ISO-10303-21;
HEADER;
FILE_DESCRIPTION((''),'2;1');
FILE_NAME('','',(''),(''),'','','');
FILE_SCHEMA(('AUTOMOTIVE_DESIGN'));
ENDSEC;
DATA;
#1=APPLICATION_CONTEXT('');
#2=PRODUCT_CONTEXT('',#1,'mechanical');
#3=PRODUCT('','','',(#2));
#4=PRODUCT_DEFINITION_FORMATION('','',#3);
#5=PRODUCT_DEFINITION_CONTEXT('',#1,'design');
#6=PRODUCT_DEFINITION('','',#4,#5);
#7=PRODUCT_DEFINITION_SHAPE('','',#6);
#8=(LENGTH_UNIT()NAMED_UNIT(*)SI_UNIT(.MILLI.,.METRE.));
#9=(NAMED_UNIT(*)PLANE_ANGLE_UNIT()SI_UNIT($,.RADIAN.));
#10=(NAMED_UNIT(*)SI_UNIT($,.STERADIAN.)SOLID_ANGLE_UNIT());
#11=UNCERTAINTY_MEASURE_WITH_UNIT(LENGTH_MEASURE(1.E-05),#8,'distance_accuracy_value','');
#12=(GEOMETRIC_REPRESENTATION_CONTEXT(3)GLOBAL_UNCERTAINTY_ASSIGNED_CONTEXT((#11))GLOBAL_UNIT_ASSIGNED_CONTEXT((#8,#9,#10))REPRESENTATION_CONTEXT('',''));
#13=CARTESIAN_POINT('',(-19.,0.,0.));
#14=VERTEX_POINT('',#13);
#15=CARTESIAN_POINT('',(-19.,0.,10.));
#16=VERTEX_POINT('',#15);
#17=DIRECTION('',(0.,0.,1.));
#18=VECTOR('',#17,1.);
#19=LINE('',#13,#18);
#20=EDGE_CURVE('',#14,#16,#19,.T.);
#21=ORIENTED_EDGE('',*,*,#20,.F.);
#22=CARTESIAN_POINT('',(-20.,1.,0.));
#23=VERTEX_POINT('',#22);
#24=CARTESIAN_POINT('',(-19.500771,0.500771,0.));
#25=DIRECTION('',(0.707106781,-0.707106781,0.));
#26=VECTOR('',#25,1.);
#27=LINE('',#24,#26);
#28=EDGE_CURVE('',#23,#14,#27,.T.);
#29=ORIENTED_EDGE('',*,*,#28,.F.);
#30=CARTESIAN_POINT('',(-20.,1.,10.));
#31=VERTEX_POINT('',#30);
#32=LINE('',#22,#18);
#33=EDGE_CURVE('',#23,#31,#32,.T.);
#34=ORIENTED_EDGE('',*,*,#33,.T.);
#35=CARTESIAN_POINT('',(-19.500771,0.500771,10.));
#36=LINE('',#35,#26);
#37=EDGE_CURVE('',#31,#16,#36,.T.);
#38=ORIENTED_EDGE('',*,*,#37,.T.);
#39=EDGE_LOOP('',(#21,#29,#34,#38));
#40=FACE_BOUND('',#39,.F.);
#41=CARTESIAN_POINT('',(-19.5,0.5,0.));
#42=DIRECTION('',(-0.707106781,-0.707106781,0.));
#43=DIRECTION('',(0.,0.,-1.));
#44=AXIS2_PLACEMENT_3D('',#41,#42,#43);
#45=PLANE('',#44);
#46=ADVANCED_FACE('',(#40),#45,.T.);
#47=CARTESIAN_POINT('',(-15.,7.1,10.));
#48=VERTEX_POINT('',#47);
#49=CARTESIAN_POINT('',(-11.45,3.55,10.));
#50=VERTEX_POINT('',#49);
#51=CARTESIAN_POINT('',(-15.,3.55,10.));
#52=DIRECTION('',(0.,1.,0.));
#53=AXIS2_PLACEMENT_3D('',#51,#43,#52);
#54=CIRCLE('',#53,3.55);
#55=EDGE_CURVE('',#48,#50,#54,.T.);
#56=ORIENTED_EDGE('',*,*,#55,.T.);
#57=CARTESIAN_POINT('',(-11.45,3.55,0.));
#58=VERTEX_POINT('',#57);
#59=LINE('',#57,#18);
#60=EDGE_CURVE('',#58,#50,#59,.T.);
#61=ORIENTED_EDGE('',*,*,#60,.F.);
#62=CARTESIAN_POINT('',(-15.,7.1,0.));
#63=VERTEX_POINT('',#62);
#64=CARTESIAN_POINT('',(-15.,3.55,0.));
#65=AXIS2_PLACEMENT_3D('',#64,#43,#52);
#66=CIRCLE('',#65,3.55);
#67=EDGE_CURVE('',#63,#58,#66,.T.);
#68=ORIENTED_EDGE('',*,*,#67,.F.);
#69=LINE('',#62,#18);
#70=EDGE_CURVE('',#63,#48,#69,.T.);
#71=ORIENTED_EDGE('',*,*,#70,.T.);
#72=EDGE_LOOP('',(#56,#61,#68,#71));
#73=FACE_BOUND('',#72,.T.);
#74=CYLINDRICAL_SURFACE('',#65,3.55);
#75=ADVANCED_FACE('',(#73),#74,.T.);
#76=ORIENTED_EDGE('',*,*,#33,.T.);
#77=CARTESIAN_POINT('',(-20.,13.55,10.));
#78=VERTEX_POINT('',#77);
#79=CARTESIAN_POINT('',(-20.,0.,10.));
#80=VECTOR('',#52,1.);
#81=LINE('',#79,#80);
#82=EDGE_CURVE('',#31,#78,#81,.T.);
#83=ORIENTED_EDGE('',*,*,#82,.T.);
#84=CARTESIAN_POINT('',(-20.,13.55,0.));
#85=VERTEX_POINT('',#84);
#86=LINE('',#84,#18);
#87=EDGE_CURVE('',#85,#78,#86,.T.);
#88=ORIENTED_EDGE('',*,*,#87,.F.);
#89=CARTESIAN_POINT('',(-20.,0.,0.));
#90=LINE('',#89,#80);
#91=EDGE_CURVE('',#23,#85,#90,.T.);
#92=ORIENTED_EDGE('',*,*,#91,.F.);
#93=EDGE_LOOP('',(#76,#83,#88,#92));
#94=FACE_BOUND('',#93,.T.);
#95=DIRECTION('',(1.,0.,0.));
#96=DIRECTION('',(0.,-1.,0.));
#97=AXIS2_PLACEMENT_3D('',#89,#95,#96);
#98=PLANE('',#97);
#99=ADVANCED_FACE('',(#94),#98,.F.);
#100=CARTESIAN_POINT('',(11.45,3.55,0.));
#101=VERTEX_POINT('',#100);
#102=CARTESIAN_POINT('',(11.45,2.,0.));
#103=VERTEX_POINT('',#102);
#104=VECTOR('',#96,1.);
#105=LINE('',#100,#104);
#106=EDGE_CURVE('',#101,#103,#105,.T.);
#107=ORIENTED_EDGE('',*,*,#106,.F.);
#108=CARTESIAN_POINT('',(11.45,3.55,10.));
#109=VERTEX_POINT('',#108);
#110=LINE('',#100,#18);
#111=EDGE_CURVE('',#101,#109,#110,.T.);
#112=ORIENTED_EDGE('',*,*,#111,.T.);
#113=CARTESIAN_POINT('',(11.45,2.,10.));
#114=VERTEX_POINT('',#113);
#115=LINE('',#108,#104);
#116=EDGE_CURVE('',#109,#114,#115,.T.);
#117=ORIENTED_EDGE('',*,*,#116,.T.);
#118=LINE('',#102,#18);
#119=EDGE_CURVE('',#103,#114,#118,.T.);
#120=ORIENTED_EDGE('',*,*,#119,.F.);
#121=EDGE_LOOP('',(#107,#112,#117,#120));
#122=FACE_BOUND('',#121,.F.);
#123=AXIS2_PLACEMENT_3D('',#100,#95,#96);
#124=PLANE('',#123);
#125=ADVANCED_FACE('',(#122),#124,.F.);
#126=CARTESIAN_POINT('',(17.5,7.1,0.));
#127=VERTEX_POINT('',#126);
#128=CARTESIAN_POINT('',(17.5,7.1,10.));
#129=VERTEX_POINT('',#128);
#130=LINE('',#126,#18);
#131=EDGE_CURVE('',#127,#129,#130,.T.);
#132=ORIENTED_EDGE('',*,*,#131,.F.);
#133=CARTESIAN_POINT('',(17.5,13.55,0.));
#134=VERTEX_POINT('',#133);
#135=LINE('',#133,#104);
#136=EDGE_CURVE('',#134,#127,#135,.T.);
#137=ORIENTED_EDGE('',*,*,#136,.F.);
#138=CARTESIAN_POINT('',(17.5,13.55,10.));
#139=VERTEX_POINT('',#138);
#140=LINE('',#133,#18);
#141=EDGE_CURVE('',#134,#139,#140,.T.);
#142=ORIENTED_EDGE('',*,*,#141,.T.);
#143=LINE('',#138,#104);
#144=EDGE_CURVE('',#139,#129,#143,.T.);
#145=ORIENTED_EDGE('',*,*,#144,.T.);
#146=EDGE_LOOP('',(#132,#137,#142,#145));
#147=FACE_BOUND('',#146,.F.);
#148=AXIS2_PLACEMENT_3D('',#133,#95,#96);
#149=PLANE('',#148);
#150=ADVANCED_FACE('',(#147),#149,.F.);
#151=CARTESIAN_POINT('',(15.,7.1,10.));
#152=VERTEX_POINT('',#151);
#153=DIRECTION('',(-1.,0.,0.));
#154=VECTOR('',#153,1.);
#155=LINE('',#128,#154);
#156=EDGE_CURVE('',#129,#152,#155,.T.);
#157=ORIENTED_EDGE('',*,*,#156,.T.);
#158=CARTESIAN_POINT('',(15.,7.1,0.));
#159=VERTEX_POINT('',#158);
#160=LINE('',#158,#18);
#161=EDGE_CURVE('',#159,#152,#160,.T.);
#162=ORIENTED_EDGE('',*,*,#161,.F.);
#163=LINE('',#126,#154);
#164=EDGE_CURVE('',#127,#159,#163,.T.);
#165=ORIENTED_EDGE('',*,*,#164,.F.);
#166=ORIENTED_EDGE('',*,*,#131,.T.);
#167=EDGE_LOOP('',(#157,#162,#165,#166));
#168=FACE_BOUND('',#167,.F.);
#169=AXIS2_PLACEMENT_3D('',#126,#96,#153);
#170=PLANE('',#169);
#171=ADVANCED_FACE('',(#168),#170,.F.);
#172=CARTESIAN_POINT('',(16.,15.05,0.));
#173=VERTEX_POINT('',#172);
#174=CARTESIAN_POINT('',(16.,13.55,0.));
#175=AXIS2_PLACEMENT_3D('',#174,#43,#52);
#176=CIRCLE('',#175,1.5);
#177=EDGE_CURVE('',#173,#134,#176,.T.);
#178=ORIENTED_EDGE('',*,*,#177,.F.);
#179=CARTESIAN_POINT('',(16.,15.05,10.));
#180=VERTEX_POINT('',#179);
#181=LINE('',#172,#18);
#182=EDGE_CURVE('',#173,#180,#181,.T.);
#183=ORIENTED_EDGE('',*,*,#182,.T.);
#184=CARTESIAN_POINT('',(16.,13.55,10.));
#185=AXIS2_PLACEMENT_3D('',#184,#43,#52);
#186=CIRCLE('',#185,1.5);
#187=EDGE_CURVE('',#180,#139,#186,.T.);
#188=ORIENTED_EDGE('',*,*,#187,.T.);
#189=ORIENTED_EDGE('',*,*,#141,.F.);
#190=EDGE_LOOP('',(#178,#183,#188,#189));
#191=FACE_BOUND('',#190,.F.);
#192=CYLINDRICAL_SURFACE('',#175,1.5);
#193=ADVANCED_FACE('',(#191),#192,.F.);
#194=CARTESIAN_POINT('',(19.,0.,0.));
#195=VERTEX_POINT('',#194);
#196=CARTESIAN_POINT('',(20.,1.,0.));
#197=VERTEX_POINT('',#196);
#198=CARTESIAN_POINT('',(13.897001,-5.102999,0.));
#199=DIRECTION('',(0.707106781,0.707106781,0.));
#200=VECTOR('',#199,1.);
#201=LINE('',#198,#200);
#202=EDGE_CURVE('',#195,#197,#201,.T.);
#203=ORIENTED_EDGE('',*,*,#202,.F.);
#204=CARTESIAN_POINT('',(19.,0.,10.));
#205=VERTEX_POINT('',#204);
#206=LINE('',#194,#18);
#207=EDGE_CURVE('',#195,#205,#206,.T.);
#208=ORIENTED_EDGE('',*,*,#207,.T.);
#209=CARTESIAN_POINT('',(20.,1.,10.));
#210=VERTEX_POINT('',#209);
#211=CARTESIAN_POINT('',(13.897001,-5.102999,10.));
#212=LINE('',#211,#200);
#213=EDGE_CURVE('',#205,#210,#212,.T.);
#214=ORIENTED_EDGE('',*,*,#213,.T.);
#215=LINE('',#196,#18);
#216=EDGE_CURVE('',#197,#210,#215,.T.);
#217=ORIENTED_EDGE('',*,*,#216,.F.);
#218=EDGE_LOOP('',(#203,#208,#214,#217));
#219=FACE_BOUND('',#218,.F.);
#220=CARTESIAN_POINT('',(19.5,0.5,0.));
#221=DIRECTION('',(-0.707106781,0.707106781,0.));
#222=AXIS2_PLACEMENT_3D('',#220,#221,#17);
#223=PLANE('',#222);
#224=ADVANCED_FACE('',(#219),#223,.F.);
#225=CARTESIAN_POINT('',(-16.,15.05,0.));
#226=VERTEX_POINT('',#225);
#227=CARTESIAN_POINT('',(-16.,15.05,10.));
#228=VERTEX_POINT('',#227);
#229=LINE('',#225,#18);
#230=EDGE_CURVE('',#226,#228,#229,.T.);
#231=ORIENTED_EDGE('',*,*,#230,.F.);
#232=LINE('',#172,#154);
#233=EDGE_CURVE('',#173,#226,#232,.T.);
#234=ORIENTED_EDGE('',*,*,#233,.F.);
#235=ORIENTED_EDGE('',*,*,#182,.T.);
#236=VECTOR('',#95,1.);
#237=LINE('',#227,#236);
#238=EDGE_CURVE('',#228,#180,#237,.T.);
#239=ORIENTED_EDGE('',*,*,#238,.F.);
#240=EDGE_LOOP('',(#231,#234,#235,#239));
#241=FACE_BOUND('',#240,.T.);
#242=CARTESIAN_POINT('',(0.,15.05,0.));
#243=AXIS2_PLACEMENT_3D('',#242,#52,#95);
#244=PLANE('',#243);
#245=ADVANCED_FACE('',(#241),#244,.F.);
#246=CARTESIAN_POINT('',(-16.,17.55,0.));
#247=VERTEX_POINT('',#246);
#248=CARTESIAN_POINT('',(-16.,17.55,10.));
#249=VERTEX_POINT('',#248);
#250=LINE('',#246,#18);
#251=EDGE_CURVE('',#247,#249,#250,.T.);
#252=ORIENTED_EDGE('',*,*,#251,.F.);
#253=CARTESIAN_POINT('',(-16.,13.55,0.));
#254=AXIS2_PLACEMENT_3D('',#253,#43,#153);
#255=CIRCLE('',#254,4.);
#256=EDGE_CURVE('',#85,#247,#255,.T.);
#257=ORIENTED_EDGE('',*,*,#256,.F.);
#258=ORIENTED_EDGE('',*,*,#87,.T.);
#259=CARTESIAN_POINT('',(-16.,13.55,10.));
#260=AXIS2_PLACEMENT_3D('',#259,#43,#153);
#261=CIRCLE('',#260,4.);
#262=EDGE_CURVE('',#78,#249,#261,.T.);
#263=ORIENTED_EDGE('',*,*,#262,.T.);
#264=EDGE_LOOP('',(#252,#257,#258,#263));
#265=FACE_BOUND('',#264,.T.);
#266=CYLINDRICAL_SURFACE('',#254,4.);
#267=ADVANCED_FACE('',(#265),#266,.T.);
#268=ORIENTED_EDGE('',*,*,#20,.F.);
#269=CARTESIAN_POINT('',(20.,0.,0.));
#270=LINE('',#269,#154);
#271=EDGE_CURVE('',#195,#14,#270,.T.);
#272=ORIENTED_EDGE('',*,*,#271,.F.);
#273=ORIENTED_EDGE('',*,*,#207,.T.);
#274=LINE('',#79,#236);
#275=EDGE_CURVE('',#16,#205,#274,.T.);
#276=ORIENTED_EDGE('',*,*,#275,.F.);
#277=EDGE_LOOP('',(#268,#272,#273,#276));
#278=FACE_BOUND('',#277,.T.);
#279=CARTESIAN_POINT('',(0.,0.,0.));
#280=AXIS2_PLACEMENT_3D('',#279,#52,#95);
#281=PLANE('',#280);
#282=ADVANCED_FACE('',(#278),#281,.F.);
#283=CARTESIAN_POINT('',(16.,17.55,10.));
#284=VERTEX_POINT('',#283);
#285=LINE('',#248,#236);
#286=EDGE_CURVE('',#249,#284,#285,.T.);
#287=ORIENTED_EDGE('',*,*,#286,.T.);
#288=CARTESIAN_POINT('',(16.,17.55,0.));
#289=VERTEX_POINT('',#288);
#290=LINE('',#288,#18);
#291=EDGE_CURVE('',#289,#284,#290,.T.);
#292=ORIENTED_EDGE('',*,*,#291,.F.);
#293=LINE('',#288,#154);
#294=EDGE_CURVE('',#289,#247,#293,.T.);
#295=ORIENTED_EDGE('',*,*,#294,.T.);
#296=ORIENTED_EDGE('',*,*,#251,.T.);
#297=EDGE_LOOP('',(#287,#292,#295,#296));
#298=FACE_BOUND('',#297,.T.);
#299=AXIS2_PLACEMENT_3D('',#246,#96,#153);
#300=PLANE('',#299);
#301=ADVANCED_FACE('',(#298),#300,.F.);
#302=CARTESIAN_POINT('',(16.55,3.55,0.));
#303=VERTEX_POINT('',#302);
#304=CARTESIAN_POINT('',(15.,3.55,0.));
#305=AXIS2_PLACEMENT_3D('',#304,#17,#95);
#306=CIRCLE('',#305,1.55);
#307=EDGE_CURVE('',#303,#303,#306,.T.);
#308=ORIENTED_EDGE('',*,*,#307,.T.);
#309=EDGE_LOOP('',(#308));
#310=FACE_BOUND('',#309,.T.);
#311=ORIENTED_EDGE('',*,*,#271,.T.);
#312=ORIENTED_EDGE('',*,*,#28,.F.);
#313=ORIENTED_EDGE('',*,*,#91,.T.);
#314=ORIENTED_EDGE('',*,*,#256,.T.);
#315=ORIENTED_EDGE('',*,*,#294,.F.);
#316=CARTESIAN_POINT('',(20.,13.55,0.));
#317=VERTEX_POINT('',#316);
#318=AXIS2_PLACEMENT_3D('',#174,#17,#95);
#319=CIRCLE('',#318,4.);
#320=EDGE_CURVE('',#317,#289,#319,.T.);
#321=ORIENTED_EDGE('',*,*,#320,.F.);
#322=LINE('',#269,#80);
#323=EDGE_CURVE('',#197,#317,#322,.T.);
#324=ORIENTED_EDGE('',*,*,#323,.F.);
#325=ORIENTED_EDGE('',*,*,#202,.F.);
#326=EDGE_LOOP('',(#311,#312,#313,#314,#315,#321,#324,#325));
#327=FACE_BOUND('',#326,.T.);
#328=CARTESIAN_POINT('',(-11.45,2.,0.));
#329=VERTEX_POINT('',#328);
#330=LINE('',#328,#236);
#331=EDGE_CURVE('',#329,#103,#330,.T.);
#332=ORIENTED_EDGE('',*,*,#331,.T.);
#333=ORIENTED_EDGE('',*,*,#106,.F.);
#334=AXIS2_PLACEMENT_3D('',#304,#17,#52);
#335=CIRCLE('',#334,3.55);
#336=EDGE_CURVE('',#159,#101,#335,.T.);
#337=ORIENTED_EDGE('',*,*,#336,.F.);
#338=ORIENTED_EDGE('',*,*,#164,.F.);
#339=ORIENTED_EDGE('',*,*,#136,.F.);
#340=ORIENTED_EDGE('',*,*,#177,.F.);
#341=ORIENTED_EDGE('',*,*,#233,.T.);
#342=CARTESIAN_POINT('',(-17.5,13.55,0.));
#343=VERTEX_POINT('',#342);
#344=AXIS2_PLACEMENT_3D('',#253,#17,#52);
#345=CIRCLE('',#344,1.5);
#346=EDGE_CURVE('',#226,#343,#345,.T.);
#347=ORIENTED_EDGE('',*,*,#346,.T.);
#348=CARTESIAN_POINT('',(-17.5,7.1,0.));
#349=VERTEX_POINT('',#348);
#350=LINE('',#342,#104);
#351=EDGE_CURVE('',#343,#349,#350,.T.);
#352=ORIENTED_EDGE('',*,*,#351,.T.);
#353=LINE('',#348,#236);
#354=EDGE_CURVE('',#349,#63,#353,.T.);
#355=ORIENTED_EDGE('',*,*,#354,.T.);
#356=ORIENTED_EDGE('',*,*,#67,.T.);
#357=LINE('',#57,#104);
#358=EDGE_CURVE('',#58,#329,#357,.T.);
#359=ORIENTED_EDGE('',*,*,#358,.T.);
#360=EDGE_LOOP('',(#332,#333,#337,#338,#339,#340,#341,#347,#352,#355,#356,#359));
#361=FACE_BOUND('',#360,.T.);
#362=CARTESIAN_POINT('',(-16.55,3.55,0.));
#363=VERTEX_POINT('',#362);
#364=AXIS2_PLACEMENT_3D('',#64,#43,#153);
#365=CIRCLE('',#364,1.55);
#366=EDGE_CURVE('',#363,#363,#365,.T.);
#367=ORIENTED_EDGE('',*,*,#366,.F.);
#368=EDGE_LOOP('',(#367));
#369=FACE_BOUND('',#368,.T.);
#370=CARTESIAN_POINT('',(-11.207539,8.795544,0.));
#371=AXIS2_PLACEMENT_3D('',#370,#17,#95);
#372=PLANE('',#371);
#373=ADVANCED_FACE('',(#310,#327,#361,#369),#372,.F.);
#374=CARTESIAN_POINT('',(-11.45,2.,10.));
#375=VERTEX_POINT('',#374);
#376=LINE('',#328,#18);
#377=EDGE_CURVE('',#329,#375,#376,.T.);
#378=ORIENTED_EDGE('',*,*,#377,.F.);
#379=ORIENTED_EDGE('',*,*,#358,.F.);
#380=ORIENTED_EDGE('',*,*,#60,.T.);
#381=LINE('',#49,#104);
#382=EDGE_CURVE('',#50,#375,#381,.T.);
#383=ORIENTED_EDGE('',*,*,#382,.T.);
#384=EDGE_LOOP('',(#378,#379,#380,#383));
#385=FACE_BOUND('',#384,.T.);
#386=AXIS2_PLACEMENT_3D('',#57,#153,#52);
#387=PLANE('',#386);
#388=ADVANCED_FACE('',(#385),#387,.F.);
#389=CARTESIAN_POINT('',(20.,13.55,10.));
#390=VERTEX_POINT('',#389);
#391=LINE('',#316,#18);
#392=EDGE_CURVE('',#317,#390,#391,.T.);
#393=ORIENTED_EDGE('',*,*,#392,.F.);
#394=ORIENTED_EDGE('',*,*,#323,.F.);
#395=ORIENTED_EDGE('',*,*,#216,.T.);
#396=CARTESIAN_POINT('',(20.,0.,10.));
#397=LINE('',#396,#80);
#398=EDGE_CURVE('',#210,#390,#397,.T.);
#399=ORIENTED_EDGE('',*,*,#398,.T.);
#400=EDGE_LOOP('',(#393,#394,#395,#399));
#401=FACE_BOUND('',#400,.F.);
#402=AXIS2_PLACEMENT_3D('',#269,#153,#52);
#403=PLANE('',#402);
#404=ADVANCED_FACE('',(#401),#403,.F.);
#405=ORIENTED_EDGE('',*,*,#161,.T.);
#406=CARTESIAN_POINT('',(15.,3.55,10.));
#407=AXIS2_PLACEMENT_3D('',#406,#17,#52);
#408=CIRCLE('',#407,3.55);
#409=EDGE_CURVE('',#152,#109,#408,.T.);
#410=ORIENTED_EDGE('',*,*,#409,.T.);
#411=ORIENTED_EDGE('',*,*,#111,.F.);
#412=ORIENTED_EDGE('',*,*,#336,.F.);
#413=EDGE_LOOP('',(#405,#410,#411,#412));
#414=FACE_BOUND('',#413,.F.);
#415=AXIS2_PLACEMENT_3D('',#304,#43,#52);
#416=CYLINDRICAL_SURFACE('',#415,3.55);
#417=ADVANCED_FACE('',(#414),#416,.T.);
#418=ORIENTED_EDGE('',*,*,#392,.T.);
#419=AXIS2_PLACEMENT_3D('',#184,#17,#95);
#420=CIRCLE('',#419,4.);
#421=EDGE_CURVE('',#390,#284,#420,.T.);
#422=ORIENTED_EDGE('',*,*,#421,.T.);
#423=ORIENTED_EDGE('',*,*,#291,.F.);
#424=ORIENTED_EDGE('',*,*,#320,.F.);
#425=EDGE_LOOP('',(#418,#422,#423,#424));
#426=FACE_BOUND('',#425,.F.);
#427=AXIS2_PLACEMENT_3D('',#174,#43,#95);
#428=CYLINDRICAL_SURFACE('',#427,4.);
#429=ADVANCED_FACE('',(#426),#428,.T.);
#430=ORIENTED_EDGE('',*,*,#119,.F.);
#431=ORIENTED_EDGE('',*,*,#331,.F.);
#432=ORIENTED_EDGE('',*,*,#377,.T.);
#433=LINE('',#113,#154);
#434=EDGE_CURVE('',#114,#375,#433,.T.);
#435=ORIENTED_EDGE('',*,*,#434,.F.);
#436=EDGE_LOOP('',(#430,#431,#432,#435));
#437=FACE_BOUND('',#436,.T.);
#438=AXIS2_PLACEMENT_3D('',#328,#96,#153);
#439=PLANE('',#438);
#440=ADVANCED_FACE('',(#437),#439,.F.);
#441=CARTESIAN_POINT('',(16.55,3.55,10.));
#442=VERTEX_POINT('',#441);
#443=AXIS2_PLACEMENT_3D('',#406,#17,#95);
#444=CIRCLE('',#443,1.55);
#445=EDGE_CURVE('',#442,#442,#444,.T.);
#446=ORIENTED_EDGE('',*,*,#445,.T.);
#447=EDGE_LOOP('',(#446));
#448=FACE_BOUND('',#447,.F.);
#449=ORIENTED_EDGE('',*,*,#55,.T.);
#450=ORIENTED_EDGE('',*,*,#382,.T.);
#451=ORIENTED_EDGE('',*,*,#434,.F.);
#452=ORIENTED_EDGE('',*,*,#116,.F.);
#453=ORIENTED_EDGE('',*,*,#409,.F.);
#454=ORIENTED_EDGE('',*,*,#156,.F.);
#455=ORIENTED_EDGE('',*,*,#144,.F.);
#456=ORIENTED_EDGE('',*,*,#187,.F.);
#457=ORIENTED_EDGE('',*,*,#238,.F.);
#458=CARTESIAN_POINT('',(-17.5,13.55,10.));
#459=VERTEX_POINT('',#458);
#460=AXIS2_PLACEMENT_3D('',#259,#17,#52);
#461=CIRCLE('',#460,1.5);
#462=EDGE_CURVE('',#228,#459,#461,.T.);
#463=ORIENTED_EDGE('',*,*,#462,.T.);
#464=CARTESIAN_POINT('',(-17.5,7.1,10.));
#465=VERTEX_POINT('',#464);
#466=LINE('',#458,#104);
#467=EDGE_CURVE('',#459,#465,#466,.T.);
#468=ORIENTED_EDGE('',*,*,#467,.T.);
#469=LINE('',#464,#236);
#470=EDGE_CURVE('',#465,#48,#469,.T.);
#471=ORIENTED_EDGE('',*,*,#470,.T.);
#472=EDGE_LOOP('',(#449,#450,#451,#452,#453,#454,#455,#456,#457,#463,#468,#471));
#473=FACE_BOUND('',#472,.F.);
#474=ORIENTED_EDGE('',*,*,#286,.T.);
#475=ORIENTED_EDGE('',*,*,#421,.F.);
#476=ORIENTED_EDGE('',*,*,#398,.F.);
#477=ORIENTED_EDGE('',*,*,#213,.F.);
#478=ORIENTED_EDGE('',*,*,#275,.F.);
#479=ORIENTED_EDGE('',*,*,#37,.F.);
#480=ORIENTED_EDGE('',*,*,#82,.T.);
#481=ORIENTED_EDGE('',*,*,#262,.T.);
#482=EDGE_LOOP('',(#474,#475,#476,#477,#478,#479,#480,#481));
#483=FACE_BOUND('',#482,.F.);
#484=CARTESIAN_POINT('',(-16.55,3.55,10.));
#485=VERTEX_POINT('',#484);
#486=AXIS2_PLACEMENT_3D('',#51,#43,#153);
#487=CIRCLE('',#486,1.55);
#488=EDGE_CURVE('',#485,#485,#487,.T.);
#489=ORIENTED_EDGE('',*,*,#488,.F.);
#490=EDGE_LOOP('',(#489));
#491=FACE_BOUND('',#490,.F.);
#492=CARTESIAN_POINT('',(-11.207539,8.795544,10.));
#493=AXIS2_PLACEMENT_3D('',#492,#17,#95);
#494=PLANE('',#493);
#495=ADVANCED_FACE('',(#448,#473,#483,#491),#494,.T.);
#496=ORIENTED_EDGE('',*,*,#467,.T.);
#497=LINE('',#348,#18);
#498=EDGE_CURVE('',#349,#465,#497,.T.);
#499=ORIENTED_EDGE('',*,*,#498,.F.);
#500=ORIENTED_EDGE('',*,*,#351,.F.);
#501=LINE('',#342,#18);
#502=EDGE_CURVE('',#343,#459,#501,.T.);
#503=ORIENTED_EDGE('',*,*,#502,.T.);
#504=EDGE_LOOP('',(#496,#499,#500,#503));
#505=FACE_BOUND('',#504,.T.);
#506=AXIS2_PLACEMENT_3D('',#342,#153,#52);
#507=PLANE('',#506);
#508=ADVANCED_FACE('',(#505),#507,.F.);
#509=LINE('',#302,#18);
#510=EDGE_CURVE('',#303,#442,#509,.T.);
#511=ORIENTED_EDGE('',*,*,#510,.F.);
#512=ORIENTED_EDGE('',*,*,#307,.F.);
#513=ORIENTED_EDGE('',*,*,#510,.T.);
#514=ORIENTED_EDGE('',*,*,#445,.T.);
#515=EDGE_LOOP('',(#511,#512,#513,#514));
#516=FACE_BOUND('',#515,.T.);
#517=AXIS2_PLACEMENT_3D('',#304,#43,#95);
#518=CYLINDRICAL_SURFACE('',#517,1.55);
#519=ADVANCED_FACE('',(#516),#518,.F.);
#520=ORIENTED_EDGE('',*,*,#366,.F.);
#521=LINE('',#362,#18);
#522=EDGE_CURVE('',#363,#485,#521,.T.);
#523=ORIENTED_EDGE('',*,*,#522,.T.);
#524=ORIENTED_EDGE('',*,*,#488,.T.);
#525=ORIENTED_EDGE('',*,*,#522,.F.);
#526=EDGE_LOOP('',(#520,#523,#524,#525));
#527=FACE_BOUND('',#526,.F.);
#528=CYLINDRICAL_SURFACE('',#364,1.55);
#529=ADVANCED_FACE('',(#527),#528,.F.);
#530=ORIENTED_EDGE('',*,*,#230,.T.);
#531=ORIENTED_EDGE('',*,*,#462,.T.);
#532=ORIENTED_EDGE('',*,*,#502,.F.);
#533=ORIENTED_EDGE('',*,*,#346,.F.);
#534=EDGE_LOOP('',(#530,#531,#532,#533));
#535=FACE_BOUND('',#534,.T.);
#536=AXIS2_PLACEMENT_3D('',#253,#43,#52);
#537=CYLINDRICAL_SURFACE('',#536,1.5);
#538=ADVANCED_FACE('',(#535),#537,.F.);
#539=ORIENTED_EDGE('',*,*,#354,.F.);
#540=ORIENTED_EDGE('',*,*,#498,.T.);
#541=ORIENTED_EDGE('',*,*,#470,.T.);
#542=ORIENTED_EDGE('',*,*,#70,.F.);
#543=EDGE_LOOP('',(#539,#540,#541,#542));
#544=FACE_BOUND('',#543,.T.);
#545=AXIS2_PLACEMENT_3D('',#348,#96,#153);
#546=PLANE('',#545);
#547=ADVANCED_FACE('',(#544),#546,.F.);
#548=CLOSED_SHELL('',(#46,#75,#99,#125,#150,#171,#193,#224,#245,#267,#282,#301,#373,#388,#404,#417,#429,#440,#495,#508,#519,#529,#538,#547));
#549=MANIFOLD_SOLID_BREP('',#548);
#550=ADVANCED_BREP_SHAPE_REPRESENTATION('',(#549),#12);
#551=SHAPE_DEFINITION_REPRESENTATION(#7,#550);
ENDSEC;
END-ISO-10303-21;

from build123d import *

# Parameters (mm, degrees)
F0_R     = 1.55
F1_DEPTH = 10
F3_SIZE  = 1


with BuildPart() as f1:
    # F0 (on Top) → F1 (new body)
    with BuildSketch(Plane.XY):
        with BuildLine():
            Line((16, 17.55), (0, 17.55))
            Line((0, 17.55), (0, 15.05))
            Line((0, 15.05), (16, 15.05))
            ThreePointArc((16, 15.05), (17.0606601718, 14.6106601718), (17.5, 13.55))
            Line((17.5, 13.55), (17.5, 7.1))
            Line((17.5, 7.1), (15, 7.1))
            ThreePointArc((15, 7.1), (12.4897709268, 6.0602290732), (11.45, 3.55))
            Line((11.45, 3.55), (11.45, 2))
            Line((11.45, 2), (0, 2))
            Line((0, 2), (0, 0))
            Line((0, 0), (20, 0))
            Line((20, 0), (20, 13.55))
            ThreePointArc((20, 13.55), (18.8284271247, 16.3784271247), (16, 17.55))
        make_face()
        with Locations((15, 3.55)):
            Circle(F0_R, mode=Mode.SUBTRACT)
    extrude(amount=F1_DEPTH)

    # F2: F1 across face


with BuildPart() as f1_1:
    add(f1.part)
    add(f1.part.mirror(Plane(origin=(0, 16.3, 5), x_dir=(0, -1, 0), z_dir=(-1, 0, 0))))

    # F3
    f3_edges = [f1_1.edges().sort_by_distance(p)[0] for p in [
        (-20, 0, 5),
        (20, 0, 5),
    ]]
    chamfer(f3_edges, length=F3_SIZE)


solid = f1_1.part
